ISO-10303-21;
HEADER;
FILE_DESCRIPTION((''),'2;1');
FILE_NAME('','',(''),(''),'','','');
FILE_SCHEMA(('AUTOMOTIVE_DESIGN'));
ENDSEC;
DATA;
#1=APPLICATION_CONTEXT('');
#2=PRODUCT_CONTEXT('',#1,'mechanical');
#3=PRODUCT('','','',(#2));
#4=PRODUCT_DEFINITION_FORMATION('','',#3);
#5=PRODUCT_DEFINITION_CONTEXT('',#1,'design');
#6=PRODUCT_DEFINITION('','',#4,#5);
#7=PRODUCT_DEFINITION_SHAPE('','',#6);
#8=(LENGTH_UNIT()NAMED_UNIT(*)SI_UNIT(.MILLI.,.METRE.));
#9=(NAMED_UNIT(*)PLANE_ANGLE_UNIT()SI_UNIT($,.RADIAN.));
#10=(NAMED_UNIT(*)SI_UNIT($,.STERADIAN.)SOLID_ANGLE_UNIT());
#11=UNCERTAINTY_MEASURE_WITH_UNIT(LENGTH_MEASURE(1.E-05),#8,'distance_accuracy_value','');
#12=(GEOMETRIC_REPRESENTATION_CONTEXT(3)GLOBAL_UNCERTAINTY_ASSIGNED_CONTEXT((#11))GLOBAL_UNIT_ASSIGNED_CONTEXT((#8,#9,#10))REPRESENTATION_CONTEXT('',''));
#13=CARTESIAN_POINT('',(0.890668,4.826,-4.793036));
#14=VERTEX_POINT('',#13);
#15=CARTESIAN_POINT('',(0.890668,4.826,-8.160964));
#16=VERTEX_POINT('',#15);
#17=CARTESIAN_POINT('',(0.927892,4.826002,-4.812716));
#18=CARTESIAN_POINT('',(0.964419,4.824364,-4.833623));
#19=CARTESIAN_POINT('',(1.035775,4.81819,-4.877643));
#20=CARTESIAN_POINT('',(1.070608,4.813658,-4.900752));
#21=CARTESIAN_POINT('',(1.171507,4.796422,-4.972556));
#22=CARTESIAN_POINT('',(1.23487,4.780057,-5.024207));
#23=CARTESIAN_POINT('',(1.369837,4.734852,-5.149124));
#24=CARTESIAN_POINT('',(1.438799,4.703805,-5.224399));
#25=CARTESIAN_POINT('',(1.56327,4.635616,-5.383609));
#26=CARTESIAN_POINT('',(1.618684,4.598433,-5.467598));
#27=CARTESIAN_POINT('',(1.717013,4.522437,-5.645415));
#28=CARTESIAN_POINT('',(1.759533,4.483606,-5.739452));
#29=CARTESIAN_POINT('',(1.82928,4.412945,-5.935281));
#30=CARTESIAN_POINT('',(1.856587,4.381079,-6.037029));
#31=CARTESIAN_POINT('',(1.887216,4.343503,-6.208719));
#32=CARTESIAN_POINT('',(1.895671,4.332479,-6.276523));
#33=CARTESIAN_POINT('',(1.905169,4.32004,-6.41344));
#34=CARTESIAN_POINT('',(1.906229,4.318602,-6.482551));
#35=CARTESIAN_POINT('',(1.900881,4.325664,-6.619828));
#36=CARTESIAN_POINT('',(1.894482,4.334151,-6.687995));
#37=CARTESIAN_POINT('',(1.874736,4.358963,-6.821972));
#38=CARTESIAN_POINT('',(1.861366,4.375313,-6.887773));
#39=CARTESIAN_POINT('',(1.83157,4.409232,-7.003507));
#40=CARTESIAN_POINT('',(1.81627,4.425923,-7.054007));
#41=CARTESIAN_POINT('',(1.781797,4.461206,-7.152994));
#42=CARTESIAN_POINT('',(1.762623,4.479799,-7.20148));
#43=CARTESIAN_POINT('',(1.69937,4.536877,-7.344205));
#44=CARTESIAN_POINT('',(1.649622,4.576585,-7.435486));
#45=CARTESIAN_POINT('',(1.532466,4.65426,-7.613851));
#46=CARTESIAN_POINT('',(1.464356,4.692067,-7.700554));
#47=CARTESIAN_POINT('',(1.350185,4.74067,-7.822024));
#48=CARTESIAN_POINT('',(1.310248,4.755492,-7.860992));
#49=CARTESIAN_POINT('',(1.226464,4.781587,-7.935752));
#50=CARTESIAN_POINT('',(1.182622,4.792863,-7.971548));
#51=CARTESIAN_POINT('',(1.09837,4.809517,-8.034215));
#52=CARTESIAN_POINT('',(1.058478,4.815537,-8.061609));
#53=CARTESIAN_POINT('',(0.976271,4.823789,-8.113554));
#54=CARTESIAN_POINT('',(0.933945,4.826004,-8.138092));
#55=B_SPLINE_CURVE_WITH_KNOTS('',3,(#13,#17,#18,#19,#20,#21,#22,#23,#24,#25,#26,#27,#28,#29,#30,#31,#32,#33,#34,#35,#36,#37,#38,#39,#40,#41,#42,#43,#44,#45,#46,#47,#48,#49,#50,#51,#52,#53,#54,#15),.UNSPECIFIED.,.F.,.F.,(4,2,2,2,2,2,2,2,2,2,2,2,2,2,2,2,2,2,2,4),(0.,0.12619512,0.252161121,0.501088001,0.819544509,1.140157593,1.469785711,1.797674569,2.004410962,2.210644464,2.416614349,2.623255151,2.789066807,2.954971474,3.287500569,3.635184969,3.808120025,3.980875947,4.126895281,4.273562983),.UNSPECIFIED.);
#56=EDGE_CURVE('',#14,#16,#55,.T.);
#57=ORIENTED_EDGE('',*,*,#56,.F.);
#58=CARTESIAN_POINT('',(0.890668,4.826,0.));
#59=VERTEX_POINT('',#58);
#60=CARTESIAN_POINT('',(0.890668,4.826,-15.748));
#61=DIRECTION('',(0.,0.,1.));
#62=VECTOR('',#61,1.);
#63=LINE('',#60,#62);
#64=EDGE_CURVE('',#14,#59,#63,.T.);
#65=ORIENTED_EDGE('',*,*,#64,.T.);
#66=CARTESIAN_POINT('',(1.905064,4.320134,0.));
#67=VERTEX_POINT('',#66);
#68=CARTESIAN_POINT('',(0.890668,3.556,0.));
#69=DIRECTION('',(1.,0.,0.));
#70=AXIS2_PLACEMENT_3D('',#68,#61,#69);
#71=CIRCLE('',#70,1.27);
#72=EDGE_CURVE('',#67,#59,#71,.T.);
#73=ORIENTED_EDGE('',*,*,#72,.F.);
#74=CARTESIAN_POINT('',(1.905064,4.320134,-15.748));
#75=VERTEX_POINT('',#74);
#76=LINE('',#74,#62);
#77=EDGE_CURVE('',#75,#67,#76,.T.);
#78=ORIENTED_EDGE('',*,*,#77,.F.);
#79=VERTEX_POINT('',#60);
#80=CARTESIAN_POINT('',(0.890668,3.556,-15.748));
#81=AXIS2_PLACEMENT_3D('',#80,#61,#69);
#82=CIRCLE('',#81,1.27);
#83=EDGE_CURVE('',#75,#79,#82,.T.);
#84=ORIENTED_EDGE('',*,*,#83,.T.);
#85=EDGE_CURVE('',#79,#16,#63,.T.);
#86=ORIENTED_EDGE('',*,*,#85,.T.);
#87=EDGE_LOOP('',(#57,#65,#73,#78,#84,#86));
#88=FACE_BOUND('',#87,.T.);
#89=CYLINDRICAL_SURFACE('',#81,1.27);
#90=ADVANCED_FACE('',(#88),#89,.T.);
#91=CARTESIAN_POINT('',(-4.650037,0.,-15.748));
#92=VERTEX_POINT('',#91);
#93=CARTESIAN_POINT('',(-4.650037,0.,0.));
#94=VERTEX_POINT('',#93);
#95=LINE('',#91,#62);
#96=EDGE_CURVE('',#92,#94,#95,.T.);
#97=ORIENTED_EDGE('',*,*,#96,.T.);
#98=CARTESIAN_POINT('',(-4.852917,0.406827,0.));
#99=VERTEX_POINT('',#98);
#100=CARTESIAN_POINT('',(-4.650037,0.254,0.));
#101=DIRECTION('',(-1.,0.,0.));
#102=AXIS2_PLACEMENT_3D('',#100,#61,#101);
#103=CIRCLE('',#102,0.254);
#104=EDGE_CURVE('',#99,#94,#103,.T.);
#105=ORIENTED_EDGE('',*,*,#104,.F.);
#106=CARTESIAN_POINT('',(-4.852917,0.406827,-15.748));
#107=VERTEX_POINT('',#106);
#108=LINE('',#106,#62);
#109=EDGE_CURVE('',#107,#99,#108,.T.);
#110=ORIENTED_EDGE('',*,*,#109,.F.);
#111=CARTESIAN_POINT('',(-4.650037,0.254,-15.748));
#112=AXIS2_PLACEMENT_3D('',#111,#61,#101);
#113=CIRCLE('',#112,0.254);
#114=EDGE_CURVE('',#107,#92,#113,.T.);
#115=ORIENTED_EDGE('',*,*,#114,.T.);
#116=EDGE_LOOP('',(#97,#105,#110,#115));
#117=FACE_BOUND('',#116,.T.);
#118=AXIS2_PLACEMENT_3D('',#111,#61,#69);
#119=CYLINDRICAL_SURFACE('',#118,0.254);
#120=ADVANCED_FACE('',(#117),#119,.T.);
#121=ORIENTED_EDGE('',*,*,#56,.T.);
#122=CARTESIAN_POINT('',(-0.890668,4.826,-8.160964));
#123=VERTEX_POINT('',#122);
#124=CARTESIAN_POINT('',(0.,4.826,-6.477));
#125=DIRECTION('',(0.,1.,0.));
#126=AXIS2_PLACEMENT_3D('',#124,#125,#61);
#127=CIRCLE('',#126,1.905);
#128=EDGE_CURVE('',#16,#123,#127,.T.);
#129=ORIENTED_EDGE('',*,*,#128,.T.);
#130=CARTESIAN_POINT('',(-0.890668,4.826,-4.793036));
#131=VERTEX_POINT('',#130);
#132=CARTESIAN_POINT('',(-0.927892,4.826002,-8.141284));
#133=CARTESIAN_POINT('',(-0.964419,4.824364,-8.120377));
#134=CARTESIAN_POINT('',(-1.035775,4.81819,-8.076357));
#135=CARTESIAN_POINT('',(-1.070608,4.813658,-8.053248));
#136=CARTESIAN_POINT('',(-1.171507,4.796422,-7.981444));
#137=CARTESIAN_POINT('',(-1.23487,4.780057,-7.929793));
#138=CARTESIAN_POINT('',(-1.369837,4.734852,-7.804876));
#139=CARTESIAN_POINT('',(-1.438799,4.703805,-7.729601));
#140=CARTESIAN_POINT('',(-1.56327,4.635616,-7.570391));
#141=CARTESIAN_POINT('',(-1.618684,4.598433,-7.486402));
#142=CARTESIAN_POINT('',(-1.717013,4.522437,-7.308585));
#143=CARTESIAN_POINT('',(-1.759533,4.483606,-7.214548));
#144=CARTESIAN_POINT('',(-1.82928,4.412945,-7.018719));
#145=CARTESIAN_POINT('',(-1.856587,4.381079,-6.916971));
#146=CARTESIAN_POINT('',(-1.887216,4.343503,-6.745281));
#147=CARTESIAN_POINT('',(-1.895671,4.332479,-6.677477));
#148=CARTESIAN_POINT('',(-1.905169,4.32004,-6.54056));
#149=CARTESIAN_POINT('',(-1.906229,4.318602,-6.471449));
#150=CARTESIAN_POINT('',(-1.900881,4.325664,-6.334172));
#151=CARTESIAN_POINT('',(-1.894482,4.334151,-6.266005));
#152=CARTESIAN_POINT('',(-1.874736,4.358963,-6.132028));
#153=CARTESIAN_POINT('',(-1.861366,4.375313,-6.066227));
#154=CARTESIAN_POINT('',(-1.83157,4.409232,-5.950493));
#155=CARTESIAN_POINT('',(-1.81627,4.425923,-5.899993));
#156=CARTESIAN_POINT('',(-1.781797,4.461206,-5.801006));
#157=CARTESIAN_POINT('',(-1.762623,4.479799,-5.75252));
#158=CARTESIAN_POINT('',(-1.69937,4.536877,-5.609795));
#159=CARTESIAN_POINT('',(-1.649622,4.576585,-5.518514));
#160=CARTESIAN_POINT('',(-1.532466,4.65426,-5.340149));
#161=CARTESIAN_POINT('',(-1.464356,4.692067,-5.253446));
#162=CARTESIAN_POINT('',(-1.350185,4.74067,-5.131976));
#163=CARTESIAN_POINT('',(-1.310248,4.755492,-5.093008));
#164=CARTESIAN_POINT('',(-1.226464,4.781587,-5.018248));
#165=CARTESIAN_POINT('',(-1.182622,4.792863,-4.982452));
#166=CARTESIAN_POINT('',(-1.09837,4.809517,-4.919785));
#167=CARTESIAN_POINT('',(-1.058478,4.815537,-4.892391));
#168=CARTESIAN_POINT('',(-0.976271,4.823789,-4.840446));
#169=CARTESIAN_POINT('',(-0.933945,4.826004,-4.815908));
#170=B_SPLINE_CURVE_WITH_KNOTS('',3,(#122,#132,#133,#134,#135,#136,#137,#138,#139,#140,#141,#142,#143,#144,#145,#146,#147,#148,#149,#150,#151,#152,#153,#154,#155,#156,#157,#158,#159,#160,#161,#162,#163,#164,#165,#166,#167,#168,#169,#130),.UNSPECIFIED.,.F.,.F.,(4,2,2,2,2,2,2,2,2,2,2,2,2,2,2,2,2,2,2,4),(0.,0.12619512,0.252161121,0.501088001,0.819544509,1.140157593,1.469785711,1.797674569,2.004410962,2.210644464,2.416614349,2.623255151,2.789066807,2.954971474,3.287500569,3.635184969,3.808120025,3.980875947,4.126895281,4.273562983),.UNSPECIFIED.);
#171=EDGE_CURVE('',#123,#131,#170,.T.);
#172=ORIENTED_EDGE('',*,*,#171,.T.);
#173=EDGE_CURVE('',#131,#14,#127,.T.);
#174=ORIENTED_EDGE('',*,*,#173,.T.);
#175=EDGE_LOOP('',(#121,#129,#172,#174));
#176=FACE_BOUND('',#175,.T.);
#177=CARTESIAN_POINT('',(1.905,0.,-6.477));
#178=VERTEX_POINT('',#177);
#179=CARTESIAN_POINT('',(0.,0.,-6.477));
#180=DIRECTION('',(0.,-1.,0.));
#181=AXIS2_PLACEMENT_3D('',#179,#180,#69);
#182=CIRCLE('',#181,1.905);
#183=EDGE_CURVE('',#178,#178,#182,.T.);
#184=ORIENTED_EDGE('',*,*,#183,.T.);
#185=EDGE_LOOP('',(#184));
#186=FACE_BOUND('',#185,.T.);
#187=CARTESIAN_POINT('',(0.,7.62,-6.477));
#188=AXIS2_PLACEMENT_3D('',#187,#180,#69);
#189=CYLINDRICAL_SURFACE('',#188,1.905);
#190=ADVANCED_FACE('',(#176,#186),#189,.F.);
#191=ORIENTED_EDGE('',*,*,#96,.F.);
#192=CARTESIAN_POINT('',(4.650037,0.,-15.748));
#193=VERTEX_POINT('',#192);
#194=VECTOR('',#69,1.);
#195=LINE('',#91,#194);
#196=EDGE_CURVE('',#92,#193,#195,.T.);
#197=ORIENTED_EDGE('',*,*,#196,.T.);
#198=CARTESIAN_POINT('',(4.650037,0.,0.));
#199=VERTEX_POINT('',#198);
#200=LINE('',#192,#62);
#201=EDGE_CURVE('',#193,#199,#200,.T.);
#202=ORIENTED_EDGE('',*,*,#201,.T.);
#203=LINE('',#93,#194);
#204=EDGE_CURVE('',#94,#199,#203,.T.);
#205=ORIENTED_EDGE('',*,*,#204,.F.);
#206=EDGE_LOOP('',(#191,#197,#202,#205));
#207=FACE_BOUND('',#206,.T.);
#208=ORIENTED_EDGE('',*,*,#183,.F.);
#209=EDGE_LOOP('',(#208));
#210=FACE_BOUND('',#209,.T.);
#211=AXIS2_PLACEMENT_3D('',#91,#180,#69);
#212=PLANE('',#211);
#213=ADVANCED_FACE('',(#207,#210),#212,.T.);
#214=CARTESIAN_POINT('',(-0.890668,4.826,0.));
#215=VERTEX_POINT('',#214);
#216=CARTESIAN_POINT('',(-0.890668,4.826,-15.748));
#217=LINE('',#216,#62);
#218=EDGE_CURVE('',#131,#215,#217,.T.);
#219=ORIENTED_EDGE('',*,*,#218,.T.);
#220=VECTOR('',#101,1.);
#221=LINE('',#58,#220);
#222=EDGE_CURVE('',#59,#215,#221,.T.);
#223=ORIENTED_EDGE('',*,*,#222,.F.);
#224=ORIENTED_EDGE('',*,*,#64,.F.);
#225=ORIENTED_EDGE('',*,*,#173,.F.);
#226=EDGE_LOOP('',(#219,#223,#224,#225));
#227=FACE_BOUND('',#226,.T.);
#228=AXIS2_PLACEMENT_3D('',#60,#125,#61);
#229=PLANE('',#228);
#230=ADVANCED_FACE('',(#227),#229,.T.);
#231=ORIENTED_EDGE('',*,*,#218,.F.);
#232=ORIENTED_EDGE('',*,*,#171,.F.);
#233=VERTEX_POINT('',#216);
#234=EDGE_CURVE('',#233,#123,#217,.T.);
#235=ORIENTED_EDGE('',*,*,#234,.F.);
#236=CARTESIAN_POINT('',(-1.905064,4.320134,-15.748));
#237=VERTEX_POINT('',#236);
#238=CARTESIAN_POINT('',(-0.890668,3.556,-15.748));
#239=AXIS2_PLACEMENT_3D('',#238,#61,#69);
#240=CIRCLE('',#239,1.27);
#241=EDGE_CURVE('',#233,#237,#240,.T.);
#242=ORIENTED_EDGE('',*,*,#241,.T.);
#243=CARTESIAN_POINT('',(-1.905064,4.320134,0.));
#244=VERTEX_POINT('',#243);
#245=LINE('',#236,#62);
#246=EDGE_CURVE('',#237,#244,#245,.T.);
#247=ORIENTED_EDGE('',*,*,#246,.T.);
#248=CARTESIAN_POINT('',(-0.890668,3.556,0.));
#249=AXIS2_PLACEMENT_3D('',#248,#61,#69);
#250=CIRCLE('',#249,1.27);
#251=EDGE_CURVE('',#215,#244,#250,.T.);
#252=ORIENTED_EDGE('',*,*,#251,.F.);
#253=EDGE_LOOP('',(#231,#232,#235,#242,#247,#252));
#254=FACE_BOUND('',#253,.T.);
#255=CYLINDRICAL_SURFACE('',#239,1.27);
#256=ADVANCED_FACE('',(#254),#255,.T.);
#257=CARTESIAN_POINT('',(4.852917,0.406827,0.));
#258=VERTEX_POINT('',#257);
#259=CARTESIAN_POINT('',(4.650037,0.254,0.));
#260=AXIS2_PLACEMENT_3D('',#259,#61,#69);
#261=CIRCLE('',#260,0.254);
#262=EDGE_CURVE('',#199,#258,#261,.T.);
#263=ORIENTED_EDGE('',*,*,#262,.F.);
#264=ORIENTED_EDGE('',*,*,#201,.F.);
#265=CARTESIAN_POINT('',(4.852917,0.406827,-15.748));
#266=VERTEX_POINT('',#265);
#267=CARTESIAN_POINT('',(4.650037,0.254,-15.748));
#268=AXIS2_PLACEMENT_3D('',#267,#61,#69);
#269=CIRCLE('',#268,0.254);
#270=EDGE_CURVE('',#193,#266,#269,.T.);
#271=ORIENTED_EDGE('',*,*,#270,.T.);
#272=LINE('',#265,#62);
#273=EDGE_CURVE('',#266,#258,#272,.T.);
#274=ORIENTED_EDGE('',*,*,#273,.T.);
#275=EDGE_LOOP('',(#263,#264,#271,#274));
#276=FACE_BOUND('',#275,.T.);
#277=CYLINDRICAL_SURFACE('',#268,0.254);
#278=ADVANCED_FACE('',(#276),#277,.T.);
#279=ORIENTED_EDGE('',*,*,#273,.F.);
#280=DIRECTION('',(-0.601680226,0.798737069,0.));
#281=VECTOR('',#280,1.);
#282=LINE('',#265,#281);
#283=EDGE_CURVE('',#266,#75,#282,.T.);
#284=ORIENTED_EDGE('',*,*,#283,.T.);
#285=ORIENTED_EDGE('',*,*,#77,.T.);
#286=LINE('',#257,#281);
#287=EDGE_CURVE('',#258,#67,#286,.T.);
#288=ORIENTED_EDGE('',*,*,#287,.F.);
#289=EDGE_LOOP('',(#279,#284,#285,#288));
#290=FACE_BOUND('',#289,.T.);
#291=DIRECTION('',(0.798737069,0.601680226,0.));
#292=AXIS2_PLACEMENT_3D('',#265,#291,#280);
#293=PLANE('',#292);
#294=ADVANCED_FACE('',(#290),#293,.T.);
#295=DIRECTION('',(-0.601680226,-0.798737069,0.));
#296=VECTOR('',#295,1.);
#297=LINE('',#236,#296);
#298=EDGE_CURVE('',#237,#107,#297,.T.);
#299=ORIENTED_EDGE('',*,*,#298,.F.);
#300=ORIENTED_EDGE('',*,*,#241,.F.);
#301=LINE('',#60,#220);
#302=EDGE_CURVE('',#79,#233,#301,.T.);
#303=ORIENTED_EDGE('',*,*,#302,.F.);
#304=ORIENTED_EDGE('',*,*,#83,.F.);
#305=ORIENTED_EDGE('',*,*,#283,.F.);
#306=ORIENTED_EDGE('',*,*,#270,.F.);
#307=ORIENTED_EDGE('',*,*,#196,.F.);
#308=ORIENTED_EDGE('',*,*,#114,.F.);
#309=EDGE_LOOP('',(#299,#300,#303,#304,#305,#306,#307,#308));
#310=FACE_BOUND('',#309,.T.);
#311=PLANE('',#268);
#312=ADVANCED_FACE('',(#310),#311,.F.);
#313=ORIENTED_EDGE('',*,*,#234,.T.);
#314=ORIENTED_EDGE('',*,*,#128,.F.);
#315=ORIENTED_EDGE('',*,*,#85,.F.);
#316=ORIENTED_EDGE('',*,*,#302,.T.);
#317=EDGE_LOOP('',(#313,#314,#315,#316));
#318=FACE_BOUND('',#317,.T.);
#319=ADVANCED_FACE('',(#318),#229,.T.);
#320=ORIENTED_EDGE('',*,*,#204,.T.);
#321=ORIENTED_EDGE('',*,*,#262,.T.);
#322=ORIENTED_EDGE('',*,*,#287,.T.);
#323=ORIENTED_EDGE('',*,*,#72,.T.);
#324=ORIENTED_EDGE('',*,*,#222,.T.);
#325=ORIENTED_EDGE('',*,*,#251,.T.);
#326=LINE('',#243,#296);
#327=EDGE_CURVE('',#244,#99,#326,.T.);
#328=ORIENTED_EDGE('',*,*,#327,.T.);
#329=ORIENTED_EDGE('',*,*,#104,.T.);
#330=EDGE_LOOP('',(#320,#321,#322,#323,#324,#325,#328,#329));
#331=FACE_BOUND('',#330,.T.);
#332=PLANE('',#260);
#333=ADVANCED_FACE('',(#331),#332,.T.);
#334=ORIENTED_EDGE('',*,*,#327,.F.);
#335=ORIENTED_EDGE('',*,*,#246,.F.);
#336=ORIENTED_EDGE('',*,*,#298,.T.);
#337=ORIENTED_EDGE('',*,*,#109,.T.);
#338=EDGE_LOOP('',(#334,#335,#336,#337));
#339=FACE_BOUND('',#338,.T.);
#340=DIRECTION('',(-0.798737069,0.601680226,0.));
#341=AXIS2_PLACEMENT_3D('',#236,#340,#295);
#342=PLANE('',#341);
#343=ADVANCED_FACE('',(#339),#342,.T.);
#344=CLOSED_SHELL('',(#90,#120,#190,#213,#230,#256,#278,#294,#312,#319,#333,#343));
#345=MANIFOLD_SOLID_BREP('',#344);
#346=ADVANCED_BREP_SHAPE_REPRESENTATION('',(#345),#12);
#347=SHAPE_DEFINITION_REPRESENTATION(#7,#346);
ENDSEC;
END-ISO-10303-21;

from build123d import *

# Parameters (mm, degrees)
BOSS_EXTRUDE1_DEPTH = 15.748
SKETCH2_R           = 1.905
CUT_EXTRUDE1_DEPTH  = 7.62


with BuildPart() as part:
    # Sketch1 → Boss-Extrude1 (new body)
    with BuildSketch(Plane.XY):
        with BuildLine():
            Line((-4.650037455, 0), (4.650037455, 0))
            ThreePointArc((4.650037455, 0), (4.877341219, 0.140646574), (4.852916671, 0.406826777))
            Line((4.852916671, 0.406826777), (1.905063618, 4.320133887))
            ThreePointArc((1.905063618, 4.320133887), (1.457434672, 4.692518816), (0.89066754, 4.826))
            Line((0.89066754, 4.826), (-0.89066754, 4.826))
            ThreePointArc((-0.89066754, 4.826), (-1.457434672, 4.692518816), (-1.905063618, 4.320133887))
            Line((-1.905063618, 4.320133887), (-4.852916671, 0.406826777))
            ThreePointArc((-4.852916671, 0.406826777), (-4.877341219, 0.140646574), (-4.650037455, 0))
        make_face()
    extrude(amount=-BOSS_EXTRUDE1_DEPTH)

    # Sketch2 → Cut-Extrude1 (cut)
    with BuildSketch(Plane.XZ):
        with Locations((0, -6.477)):
            Circle(SKETCH2_R)
    extrude(amount=-CUT_EXTRUDE1_DEPTH, mode=Mode.SUBTRACT)


solid = part.part
